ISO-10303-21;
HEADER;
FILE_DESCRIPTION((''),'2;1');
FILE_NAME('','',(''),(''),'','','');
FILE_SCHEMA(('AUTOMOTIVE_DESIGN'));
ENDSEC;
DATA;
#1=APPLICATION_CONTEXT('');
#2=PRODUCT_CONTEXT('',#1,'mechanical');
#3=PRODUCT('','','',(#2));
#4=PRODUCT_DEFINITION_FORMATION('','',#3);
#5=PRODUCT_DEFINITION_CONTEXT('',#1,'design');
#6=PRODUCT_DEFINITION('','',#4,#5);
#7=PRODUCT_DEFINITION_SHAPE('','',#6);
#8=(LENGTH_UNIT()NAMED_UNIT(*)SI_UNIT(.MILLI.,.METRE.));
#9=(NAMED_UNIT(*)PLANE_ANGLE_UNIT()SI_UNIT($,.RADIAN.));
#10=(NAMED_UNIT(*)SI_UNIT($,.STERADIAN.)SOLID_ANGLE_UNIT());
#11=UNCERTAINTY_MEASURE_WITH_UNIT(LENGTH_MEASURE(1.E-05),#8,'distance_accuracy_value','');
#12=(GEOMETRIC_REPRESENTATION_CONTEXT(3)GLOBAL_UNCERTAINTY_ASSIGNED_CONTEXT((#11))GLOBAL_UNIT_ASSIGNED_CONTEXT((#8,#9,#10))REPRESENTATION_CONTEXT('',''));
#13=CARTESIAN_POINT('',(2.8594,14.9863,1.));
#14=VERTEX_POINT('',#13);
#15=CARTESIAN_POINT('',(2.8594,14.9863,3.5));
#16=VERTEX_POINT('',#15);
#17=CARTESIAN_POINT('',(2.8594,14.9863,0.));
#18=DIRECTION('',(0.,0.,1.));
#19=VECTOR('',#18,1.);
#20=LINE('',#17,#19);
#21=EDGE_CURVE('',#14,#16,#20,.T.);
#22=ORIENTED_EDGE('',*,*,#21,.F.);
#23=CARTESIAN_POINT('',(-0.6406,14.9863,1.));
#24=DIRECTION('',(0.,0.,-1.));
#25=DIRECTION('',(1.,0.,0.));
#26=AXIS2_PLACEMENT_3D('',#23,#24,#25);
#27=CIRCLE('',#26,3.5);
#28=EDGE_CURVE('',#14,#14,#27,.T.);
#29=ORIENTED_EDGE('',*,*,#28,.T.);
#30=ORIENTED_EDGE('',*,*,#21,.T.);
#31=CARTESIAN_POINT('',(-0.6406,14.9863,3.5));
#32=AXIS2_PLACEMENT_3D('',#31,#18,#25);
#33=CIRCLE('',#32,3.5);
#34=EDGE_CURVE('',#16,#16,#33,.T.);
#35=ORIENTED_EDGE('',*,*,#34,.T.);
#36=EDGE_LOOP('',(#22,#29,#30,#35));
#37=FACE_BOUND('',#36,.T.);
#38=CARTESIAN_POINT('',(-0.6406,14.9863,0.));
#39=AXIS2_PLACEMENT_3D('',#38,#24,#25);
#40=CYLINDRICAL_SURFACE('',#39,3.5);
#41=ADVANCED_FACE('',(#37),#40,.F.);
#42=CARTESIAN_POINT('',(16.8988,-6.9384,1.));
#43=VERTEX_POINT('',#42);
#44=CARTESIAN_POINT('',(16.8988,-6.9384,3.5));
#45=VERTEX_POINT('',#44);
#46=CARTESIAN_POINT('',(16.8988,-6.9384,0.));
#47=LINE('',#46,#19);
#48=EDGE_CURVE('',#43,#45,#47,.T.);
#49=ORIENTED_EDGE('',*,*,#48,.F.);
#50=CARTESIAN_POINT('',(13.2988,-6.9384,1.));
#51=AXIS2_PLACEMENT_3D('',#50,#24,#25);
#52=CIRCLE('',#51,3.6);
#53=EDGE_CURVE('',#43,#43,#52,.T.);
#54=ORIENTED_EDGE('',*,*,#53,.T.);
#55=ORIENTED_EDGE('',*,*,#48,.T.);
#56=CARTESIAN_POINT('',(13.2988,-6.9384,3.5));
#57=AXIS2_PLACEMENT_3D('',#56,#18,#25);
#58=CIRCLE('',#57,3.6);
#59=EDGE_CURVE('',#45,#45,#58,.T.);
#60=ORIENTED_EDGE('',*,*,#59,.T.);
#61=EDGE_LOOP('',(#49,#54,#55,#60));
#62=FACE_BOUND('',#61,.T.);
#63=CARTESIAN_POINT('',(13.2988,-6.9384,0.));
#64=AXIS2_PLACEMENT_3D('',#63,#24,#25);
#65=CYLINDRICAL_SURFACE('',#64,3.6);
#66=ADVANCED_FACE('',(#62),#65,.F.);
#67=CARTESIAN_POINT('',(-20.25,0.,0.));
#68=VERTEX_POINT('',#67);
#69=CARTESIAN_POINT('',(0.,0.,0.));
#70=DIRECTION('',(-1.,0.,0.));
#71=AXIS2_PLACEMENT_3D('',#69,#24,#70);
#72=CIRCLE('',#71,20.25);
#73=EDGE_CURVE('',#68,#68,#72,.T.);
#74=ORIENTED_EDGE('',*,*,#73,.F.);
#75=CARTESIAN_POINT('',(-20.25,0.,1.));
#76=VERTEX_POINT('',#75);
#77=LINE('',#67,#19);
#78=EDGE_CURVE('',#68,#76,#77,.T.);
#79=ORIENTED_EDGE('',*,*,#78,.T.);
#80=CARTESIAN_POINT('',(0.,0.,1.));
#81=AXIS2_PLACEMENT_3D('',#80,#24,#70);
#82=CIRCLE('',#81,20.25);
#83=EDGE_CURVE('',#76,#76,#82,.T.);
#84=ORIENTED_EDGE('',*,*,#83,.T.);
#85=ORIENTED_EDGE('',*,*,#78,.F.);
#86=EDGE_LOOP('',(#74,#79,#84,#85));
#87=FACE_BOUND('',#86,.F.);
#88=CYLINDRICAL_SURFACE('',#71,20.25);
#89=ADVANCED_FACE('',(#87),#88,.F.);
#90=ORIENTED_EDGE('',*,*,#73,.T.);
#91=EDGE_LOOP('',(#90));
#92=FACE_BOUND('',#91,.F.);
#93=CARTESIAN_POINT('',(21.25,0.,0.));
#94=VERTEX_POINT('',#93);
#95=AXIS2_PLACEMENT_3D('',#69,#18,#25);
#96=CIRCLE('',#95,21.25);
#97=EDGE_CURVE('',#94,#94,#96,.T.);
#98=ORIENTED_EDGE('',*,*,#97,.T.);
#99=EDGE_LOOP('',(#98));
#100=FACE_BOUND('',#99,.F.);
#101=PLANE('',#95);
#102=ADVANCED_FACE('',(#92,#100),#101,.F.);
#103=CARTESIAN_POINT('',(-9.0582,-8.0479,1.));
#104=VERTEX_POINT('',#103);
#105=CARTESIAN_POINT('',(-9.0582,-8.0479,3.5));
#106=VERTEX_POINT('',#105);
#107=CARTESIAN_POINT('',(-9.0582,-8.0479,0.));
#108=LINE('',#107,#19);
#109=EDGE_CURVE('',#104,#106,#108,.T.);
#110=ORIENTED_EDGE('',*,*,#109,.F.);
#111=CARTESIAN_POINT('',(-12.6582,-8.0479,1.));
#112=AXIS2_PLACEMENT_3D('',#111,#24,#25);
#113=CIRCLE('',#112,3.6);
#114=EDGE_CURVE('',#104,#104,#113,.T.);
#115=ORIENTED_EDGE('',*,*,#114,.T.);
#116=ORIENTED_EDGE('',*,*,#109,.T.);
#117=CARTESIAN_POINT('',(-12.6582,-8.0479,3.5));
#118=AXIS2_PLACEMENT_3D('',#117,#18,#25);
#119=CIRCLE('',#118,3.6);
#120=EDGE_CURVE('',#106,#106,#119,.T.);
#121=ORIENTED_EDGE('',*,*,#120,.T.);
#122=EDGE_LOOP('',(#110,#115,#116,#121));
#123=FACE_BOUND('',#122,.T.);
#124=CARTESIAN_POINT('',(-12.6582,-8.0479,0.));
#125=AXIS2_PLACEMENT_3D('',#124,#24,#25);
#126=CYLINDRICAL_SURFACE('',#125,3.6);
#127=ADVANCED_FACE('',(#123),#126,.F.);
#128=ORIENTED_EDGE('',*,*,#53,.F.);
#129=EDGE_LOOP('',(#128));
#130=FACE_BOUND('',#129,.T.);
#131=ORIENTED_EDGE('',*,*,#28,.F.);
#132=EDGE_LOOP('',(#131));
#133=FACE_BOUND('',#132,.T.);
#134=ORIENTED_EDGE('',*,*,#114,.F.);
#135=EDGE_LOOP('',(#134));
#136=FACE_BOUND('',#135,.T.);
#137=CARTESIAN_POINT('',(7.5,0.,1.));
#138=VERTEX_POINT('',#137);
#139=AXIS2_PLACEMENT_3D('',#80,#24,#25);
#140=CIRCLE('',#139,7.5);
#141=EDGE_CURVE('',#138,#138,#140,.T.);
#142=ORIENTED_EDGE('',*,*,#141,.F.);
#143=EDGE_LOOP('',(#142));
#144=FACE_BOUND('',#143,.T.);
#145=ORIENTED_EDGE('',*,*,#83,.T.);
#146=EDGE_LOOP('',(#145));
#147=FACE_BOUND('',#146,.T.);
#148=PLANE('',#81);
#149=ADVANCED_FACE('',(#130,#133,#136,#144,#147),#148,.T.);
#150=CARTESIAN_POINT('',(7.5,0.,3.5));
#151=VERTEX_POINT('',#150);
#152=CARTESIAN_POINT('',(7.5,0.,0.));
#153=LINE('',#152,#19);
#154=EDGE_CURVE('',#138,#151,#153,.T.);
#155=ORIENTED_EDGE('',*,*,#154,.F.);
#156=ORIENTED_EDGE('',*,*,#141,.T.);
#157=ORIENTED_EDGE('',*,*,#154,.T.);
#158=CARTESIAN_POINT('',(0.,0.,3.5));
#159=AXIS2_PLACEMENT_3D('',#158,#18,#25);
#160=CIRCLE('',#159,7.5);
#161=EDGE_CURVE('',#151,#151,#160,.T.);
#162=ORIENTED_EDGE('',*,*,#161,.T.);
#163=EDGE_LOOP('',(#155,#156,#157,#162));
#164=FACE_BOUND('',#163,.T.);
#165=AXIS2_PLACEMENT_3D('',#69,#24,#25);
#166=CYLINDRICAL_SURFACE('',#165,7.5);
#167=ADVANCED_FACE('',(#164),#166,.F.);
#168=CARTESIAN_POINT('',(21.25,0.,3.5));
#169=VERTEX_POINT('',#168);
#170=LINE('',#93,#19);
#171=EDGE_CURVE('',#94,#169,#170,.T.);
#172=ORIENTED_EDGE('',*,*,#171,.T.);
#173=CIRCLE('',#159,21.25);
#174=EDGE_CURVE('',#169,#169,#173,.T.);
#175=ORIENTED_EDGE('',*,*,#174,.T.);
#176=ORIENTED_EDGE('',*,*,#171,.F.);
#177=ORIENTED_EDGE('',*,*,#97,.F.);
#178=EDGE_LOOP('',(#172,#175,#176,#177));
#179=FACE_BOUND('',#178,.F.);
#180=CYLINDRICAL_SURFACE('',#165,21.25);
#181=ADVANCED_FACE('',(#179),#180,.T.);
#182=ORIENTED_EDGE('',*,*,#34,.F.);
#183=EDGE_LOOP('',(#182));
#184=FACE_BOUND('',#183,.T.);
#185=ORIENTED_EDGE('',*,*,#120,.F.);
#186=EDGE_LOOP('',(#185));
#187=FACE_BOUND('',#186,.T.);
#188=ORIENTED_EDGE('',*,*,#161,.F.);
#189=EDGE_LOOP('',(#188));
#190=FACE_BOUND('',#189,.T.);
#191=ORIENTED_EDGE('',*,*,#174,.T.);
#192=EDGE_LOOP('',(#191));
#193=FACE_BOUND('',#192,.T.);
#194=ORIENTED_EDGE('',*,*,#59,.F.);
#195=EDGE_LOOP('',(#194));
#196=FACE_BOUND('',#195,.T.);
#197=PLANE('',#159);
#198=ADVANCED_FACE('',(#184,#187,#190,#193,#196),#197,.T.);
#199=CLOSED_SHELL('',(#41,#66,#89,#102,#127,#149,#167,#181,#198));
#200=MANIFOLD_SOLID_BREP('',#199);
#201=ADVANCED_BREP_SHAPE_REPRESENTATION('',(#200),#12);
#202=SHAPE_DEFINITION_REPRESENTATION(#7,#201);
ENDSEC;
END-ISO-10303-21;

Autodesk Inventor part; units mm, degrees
ref_plane "YZ Plane" through (0, 0, 0) normal (1, 0, 0) x (0, 1, 0)
ref_plane "XZ Plane" through (0, 0, 0) normal (0, 1, 0) x (-1, 0, 0)
ref_plane "XY Plane" through (0, 0, 0) normal (0, 0, 1) x (1, 0, 0)
sketch "Sketch1" plane through (0, 0, 0) normal (0, 0, 1) x (1, 0, 0)
  circle A0 centre (13.2988, -6.9384) radius 3.6
  circle A1 centre (-12.6582, -8.0479) radius 3.6
  circle A2 centre (-0.6406, 14.9863) radius 3.5
  circle A3 centre (0, 0) radius 7.5
  circle A4 centre (0, 0) radius 21.25
  point P0 (0, 0)
  dimension "d11" = 42.5
extrude "Extrusion1" add sketch "Sketch1" along normal blind 3.5
sketch "Sketch3" plane through (0, 0, 0) normal (0, 0, -1) x (-1, 0, 0)
  circle A0 centre (0, 0) radius 20.25
  dimension "d14" = 40.5
extrude "Extrusion4" cut sketch "Sketch3" against normal blind 1
properties part number "Inner disc of housing of gearbox"
